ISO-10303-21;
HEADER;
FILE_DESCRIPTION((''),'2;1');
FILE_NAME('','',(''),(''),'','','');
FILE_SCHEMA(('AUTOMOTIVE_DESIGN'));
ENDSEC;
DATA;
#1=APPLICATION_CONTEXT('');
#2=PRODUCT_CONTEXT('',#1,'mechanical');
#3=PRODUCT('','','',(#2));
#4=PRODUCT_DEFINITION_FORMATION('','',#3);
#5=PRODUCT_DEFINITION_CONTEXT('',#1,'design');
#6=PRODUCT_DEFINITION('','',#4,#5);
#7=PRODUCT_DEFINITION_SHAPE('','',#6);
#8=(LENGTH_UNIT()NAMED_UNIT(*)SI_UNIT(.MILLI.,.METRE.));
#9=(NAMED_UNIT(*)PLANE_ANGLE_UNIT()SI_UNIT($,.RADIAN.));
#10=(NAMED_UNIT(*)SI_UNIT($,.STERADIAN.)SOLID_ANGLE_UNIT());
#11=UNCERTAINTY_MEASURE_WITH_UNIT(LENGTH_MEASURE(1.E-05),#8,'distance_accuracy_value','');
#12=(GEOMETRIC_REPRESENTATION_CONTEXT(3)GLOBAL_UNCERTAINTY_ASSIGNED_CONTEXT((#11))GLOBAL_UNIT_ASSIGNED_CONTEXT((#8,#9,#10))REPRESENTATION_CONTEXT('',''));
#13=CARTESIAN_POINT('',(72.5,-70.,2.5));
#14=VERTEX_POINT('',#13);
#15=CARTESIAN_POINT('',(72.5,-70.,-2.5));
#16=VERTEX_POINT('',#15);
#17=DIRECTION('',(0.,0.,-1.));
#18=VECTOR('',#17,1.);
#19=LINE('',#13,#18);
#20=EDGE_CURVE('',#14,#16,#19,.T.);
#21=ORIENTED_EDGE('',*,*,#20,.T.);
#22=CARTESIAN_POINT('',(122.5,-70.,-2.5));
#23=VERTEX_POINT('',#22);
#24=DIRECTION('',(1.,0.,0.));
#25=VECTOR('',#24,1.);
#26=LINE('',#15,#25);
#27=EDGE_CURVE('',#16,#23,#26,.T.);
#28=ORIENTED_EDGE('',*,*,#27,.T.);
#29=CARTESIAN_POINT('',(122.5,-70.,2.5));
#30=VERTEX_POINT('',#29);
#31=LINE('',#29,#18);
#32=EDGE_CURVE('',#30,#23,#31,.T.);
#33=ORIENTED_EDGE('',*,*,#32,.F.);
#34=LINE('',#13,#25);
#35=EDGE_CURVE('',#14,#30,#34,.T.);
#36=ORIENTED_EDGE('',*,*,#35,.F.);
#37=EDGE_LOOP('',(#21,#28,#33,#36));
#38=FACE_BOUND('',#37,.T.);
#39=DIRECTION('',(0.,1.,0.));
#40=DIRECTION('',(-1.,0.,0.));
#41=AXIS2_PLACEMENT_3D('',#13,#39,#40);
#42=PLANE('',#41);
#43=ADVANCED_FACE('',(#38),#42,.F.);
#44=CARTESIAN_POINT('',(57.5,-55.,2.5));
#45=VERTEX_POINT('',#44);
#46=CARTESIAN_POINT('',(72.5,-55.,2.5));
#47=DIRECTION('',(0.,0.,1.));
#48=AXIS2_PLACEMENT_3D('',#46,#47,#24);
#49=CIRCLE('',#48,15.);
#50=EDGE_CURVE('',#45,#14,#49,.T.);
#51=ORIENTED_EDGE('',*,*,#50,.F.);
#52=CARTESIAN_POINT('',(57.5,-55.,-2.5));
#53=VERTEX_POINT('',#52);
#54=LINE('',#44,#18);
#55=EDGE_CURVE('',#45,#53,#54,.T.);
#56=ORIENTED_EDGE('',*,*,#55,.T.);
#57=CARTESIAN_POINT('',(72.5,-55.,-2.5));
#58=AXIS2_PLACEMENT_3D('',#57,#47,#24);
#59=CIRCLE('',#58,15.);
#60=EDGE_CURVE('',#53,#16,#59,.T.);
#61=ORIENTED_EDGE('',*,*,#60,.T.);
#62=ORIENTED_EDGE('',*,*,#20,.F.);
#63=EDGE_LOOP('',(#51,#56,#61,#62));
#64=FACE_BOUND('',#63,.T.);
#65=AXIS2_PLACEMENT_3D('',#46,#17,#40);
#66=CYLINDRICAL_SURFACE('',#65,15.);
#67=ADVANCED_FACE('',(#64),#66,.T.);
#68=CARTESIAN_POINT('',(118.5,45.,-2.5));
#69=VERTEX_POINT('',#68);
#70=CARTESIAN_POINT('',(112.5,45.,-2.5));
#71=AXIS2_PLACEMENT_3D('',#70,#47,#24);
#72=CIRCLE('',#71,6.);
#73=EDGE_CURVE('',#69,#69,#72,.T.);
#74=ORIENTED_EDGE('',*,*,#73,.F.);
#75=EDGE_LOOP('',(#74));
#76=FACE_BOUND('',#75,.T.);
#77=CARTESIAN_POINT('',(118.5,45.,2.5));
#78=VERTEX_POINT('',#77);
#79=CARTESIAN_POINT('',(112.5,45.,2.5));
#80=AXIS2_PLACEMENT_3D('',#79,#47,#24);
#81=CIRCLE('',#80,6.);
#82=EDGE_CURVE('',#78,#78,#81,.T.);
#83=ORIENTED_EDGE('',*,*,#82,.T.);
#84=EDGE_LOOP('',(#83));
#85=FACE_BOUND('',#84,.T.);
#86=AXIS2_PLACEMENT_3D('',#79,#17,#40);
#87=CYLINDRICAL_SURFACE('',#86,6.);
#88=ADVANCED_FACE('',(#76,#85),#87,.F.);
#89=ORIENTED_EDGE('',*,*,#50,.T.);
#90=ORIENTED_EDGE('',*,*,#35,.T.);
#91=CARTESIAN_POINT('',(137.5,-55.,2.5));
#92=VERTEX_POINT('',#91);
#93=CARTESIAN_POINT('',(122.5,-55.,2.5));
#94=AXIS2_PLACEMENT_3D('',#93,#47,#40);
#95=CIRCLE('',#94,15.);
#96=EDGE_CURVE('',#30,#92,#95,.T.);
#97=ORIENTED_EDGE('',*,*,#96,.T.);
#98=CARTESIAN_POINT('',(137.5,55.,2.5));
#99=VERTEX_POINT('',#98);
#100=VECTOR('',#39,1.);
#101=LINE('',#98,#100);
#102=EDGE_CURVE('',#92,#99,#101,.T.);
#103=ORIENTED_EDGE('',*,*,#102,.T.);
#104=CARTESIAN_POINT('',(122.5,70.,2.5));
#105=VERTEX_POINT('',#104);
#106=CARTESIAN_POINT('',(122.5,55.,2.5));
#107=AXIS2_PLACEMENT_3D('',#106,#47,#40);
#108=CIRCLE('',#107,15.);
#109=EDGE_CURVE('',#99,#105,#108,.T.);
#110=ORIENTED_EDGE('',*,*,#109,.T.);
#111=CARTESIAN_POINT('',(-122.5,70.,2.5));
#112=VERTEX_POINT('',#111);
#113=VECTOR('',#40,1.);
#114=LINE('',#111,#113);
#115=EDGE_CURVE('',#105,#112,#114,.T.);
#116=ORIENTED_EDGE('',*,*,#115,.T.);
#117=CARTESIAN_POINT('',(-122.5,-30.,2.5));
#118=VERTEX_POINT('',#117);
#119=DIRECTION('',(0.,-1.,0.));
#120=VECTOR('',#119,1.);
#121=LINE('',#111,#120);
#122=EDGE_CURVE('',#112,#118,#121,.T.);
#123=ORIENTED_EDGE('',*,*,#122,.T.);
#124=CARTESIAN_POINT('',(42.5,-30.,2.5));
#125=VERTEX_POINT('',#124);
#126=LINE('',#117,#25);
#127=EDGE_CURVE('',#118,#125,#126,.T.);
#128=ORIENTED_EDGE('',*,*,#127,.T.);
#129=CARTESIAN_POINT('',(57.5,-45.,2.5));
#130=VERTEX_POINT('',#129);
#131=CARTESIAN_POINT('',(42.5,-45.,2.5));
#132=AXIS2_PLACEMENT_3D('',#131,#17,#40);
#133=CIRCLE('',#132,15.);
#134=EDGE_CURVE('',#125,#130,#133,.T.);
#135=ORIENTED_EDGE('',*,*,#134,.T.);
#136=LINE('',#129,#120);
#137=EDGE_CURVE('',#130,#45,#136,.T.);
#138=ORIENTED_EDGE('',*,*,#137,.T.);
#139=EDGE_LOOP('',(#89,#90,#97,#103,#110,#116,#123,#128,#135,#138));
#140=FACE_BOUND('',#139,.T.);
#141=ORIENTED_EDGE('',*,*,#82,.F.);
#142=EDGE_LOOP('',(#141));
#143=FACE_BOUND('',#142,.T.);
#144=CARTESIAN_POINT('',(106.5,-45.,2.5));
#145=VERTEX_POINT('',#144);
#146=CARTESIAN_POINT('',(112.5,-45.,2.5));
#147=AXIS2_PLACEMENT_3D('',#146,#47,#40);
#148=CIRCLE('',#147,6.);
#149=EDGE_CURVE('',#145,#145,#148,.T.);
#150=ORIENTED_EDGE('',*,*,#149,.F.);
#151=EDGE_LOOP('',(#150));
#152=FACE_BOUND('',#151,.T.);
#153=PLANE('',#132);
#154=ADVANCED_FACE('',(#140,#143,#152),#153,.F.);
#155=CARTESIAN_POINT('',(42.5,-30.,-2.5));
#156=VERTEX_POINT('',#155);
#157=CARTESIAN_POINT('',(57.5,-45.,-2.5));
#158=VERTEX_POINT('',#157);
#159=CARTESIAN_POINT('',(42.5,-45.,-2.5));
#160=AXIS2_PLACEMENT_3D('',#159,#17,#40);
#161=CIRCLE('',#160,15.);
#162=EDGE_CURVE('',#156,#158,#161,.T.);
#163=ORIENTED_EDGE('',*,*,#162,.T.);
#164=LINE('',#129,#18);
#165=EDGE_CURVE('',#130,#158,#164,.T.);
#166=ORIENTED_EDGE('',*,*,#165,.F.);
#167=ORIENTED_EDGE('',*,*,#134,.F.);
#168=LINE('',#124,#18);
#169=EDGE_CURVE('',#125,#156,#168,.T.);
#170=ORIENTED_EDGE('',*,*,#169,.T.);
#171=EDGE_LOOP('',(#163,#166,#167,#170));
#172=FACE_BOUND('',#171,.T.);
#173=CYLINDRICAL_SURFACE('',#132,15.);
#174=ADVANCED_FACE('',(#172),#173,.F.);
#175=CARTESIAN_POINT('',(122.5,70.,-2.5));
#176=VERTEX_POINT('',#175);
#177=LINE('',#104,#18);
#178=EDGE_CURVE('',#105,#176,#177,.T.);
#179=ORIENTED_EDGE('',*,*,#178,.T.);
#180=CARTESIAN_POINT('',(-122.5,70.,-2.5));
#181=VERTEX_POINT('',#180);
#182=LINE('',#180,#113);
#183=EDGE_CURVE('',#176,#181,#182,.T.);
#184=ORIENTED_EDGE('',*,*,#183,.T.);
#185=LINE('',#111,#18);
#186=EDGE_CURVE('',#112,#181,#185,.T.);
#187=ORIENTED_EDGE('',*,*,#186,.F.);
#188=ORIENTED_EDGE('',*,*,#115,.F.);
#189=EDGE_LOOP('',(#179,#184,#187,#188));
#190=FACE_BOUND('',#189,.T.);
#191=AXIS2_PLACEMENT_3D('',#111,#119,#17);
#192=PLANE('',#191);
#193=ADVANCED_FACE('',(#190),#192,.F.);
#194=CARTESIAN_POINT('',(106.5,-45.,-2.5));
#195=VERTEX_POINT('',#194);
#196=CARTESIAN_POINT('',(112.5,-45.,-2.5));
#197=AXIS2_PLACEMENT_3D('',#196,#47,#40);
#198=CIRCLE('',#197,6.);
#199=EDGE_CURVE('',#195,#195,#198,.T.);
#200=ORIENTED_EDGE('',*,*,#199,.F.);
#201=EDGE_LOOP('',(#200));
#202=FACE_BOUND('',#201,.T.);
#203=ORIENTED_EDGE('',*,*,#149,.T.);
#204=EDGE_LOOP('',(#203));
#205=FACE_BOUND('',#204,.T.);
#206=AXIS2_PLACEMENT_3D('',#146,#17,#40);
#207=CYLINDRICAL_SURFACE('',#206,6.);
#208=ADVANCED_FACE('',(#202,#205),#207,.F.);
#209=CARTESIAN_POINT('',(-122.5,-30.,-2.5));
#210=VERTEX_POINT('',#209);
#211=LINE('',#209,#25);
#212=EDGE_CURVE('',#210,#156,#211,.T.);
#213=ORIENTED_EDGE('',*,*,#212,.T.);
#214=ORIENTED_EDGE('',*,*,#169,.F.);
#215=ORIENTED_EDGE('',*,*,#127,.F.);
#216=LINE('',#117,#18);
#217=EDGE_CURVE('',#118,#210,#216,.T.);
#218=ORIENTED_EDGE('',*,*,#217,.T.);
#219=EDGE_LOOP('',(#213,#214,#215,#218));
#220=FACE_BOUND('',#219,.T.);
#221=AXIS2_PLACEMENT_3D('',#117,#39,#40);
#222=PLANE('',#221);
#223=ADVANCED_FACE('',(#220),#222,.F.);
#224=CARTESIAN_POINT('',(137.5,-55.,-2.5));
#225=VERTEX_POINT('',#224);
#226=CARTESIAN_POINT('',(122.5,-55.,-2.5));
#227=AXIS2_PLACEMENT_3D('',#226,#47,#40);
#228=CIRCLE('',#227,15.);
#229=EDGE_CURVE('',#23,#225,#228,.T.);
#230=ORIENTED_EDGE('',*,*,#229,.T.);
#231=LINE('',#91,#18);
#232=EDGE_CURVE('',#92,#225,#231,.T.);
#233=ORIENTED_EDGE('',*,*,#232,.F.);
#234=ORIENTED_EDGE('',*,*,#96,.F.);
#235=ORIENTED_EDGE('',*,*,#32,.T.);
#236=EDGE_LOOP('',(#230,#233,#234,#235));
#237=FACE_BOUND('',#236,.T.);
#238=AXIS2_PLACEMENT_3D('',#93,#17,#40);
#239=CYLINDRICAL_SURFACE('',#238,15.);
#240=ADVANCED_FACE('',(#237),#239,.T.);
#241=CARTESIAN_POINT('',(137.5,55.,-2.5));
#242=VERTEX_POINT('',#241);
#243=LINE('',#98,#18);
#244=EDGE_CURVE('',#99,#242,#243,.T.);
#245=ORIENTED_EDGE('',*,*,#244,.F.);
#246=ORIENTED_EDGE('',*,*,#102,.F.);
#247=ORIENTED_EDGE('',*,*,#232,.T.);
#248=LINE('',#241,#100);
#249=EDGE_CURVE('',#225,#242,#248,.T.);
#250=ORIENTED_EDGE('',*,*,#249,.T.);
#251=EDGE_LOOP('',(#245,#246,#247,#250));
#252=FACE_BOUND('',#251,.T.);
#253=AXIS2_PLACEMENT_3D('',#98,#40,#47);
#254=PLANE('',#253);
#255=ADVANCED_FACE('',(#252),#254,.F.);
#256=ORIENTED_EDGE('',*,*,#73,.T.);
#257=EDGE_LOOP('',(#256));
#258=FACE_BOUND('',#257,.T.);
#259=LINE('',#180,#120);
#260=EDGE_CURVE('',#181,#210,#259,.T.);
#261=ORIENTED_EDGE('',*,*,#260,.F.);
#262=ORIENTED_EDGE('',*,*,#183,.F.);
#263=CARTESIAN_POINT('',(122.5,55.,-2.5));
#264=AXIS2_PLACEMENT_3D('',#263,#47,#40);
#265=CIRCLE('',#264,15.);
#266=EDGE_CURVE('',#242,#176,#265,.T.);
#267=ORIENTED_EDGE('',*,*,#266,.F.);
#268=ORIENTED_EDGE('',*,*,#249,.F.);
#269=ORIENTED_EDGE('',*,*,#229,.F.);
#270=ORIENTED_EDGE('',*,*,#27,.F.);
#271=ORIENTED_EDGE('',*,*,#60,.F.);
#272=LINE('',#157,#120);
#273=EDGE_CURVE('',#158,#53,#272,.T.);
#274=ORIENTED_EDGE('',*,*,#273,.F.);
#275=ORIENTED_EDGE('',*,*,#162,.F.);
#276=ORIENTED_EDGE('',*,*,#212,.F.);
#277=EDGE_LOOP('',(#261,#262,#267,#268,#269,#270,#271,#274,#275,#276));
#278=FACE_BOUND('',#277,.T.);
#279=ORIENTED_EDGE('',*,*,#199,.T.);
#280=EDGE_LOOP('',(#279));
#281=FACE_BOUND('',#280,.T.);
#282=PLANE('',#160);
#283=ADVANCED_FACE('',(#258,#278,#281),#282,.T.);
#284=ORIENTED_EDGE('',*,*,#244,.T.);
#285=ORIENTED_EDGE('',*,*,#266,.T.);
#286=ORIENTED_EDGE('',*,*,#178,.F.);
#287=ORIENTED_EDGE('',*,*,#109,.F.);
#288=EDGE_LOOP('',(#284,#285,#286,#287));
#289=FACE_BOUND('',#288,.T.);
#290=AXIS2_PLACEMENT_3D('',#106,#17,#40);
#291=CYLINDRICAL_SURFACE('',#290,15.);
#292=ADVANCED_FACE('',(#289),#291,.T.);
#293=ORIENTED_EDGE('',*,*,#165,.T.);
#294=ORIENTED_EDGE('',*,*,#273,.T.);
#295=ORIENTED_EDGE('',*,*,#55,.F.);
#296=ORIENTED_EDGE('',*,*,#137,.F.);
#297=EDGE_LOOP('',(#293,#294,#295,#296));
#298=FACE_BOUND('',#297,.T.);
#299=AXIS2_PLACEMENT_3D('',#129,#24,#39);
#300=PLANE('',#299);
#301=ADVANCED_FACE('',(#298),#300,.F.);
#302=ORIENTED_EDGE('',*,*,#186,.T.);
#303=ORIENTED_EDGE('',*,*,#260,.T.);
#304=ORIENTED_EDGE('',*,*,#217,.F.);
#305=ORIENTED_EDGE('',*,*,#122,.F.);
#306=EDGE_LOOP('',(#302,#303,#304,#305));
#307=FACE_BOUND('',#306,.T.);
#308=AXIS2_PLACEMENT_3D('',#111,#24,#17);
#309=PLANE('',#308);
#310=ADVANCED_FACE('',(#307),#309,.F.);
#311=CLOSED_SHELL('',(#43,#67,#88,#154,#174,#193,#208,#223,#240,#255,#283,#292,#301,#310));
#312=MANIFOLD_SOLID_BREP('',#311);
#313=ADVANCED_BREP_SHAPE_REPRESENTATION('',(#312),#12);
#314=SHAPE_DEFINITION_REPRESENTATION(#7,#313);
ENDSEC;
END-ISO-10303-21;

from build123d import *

# Parameters (mm, degrees)
SKETCH1_R           = 6
BOSS_EXTRUDE1_DEPTH = 2.5


with BuildPart() as part:
    # Sketch1 → Boss-Extrude1 (new, symmetric)
    with BuildSketch(Plane.XY):
        with BuildLine():
            Line((-122.5, 70), (122.5, 70))
            ThreePointArc((122.5, 70), (133.106601718, 65.606601718), (137.5, 55))
            Line((137.5, 55), (137.5, -55))
            ThreePointArc((137.5, -55), (133.106601718, -65.606601718), (122.5, -70))
            Line((122.5, -70), (72.5, -70))
            ThreePointArc((72.5, -70), (61.893398282, -65.606601718), (57.5, -55))
            Line((57.5, -55), (57.5, -45))
            ThreePointArc((57.5, -45), (53.106601718, -34.393398282), (42.5, -30))
            Line((42.5, -30), (-122.5, -30))
            Line((-122.5, -30), (-122.5, 70))
        make_face()
        with Locations((112.5, 45)):
            Circle(SKETCH1_R, mode=Mode.SUBTRACT)
        with Locations(Location((112.5, -45, 0), (0, 0, 180))):
            Circle(SKETCH1_R, mode=Mode.SUBTRACT)
    extrude(amount=BOSS_EXTRUDE1_DEPTH, both=True)


solid = part.part
